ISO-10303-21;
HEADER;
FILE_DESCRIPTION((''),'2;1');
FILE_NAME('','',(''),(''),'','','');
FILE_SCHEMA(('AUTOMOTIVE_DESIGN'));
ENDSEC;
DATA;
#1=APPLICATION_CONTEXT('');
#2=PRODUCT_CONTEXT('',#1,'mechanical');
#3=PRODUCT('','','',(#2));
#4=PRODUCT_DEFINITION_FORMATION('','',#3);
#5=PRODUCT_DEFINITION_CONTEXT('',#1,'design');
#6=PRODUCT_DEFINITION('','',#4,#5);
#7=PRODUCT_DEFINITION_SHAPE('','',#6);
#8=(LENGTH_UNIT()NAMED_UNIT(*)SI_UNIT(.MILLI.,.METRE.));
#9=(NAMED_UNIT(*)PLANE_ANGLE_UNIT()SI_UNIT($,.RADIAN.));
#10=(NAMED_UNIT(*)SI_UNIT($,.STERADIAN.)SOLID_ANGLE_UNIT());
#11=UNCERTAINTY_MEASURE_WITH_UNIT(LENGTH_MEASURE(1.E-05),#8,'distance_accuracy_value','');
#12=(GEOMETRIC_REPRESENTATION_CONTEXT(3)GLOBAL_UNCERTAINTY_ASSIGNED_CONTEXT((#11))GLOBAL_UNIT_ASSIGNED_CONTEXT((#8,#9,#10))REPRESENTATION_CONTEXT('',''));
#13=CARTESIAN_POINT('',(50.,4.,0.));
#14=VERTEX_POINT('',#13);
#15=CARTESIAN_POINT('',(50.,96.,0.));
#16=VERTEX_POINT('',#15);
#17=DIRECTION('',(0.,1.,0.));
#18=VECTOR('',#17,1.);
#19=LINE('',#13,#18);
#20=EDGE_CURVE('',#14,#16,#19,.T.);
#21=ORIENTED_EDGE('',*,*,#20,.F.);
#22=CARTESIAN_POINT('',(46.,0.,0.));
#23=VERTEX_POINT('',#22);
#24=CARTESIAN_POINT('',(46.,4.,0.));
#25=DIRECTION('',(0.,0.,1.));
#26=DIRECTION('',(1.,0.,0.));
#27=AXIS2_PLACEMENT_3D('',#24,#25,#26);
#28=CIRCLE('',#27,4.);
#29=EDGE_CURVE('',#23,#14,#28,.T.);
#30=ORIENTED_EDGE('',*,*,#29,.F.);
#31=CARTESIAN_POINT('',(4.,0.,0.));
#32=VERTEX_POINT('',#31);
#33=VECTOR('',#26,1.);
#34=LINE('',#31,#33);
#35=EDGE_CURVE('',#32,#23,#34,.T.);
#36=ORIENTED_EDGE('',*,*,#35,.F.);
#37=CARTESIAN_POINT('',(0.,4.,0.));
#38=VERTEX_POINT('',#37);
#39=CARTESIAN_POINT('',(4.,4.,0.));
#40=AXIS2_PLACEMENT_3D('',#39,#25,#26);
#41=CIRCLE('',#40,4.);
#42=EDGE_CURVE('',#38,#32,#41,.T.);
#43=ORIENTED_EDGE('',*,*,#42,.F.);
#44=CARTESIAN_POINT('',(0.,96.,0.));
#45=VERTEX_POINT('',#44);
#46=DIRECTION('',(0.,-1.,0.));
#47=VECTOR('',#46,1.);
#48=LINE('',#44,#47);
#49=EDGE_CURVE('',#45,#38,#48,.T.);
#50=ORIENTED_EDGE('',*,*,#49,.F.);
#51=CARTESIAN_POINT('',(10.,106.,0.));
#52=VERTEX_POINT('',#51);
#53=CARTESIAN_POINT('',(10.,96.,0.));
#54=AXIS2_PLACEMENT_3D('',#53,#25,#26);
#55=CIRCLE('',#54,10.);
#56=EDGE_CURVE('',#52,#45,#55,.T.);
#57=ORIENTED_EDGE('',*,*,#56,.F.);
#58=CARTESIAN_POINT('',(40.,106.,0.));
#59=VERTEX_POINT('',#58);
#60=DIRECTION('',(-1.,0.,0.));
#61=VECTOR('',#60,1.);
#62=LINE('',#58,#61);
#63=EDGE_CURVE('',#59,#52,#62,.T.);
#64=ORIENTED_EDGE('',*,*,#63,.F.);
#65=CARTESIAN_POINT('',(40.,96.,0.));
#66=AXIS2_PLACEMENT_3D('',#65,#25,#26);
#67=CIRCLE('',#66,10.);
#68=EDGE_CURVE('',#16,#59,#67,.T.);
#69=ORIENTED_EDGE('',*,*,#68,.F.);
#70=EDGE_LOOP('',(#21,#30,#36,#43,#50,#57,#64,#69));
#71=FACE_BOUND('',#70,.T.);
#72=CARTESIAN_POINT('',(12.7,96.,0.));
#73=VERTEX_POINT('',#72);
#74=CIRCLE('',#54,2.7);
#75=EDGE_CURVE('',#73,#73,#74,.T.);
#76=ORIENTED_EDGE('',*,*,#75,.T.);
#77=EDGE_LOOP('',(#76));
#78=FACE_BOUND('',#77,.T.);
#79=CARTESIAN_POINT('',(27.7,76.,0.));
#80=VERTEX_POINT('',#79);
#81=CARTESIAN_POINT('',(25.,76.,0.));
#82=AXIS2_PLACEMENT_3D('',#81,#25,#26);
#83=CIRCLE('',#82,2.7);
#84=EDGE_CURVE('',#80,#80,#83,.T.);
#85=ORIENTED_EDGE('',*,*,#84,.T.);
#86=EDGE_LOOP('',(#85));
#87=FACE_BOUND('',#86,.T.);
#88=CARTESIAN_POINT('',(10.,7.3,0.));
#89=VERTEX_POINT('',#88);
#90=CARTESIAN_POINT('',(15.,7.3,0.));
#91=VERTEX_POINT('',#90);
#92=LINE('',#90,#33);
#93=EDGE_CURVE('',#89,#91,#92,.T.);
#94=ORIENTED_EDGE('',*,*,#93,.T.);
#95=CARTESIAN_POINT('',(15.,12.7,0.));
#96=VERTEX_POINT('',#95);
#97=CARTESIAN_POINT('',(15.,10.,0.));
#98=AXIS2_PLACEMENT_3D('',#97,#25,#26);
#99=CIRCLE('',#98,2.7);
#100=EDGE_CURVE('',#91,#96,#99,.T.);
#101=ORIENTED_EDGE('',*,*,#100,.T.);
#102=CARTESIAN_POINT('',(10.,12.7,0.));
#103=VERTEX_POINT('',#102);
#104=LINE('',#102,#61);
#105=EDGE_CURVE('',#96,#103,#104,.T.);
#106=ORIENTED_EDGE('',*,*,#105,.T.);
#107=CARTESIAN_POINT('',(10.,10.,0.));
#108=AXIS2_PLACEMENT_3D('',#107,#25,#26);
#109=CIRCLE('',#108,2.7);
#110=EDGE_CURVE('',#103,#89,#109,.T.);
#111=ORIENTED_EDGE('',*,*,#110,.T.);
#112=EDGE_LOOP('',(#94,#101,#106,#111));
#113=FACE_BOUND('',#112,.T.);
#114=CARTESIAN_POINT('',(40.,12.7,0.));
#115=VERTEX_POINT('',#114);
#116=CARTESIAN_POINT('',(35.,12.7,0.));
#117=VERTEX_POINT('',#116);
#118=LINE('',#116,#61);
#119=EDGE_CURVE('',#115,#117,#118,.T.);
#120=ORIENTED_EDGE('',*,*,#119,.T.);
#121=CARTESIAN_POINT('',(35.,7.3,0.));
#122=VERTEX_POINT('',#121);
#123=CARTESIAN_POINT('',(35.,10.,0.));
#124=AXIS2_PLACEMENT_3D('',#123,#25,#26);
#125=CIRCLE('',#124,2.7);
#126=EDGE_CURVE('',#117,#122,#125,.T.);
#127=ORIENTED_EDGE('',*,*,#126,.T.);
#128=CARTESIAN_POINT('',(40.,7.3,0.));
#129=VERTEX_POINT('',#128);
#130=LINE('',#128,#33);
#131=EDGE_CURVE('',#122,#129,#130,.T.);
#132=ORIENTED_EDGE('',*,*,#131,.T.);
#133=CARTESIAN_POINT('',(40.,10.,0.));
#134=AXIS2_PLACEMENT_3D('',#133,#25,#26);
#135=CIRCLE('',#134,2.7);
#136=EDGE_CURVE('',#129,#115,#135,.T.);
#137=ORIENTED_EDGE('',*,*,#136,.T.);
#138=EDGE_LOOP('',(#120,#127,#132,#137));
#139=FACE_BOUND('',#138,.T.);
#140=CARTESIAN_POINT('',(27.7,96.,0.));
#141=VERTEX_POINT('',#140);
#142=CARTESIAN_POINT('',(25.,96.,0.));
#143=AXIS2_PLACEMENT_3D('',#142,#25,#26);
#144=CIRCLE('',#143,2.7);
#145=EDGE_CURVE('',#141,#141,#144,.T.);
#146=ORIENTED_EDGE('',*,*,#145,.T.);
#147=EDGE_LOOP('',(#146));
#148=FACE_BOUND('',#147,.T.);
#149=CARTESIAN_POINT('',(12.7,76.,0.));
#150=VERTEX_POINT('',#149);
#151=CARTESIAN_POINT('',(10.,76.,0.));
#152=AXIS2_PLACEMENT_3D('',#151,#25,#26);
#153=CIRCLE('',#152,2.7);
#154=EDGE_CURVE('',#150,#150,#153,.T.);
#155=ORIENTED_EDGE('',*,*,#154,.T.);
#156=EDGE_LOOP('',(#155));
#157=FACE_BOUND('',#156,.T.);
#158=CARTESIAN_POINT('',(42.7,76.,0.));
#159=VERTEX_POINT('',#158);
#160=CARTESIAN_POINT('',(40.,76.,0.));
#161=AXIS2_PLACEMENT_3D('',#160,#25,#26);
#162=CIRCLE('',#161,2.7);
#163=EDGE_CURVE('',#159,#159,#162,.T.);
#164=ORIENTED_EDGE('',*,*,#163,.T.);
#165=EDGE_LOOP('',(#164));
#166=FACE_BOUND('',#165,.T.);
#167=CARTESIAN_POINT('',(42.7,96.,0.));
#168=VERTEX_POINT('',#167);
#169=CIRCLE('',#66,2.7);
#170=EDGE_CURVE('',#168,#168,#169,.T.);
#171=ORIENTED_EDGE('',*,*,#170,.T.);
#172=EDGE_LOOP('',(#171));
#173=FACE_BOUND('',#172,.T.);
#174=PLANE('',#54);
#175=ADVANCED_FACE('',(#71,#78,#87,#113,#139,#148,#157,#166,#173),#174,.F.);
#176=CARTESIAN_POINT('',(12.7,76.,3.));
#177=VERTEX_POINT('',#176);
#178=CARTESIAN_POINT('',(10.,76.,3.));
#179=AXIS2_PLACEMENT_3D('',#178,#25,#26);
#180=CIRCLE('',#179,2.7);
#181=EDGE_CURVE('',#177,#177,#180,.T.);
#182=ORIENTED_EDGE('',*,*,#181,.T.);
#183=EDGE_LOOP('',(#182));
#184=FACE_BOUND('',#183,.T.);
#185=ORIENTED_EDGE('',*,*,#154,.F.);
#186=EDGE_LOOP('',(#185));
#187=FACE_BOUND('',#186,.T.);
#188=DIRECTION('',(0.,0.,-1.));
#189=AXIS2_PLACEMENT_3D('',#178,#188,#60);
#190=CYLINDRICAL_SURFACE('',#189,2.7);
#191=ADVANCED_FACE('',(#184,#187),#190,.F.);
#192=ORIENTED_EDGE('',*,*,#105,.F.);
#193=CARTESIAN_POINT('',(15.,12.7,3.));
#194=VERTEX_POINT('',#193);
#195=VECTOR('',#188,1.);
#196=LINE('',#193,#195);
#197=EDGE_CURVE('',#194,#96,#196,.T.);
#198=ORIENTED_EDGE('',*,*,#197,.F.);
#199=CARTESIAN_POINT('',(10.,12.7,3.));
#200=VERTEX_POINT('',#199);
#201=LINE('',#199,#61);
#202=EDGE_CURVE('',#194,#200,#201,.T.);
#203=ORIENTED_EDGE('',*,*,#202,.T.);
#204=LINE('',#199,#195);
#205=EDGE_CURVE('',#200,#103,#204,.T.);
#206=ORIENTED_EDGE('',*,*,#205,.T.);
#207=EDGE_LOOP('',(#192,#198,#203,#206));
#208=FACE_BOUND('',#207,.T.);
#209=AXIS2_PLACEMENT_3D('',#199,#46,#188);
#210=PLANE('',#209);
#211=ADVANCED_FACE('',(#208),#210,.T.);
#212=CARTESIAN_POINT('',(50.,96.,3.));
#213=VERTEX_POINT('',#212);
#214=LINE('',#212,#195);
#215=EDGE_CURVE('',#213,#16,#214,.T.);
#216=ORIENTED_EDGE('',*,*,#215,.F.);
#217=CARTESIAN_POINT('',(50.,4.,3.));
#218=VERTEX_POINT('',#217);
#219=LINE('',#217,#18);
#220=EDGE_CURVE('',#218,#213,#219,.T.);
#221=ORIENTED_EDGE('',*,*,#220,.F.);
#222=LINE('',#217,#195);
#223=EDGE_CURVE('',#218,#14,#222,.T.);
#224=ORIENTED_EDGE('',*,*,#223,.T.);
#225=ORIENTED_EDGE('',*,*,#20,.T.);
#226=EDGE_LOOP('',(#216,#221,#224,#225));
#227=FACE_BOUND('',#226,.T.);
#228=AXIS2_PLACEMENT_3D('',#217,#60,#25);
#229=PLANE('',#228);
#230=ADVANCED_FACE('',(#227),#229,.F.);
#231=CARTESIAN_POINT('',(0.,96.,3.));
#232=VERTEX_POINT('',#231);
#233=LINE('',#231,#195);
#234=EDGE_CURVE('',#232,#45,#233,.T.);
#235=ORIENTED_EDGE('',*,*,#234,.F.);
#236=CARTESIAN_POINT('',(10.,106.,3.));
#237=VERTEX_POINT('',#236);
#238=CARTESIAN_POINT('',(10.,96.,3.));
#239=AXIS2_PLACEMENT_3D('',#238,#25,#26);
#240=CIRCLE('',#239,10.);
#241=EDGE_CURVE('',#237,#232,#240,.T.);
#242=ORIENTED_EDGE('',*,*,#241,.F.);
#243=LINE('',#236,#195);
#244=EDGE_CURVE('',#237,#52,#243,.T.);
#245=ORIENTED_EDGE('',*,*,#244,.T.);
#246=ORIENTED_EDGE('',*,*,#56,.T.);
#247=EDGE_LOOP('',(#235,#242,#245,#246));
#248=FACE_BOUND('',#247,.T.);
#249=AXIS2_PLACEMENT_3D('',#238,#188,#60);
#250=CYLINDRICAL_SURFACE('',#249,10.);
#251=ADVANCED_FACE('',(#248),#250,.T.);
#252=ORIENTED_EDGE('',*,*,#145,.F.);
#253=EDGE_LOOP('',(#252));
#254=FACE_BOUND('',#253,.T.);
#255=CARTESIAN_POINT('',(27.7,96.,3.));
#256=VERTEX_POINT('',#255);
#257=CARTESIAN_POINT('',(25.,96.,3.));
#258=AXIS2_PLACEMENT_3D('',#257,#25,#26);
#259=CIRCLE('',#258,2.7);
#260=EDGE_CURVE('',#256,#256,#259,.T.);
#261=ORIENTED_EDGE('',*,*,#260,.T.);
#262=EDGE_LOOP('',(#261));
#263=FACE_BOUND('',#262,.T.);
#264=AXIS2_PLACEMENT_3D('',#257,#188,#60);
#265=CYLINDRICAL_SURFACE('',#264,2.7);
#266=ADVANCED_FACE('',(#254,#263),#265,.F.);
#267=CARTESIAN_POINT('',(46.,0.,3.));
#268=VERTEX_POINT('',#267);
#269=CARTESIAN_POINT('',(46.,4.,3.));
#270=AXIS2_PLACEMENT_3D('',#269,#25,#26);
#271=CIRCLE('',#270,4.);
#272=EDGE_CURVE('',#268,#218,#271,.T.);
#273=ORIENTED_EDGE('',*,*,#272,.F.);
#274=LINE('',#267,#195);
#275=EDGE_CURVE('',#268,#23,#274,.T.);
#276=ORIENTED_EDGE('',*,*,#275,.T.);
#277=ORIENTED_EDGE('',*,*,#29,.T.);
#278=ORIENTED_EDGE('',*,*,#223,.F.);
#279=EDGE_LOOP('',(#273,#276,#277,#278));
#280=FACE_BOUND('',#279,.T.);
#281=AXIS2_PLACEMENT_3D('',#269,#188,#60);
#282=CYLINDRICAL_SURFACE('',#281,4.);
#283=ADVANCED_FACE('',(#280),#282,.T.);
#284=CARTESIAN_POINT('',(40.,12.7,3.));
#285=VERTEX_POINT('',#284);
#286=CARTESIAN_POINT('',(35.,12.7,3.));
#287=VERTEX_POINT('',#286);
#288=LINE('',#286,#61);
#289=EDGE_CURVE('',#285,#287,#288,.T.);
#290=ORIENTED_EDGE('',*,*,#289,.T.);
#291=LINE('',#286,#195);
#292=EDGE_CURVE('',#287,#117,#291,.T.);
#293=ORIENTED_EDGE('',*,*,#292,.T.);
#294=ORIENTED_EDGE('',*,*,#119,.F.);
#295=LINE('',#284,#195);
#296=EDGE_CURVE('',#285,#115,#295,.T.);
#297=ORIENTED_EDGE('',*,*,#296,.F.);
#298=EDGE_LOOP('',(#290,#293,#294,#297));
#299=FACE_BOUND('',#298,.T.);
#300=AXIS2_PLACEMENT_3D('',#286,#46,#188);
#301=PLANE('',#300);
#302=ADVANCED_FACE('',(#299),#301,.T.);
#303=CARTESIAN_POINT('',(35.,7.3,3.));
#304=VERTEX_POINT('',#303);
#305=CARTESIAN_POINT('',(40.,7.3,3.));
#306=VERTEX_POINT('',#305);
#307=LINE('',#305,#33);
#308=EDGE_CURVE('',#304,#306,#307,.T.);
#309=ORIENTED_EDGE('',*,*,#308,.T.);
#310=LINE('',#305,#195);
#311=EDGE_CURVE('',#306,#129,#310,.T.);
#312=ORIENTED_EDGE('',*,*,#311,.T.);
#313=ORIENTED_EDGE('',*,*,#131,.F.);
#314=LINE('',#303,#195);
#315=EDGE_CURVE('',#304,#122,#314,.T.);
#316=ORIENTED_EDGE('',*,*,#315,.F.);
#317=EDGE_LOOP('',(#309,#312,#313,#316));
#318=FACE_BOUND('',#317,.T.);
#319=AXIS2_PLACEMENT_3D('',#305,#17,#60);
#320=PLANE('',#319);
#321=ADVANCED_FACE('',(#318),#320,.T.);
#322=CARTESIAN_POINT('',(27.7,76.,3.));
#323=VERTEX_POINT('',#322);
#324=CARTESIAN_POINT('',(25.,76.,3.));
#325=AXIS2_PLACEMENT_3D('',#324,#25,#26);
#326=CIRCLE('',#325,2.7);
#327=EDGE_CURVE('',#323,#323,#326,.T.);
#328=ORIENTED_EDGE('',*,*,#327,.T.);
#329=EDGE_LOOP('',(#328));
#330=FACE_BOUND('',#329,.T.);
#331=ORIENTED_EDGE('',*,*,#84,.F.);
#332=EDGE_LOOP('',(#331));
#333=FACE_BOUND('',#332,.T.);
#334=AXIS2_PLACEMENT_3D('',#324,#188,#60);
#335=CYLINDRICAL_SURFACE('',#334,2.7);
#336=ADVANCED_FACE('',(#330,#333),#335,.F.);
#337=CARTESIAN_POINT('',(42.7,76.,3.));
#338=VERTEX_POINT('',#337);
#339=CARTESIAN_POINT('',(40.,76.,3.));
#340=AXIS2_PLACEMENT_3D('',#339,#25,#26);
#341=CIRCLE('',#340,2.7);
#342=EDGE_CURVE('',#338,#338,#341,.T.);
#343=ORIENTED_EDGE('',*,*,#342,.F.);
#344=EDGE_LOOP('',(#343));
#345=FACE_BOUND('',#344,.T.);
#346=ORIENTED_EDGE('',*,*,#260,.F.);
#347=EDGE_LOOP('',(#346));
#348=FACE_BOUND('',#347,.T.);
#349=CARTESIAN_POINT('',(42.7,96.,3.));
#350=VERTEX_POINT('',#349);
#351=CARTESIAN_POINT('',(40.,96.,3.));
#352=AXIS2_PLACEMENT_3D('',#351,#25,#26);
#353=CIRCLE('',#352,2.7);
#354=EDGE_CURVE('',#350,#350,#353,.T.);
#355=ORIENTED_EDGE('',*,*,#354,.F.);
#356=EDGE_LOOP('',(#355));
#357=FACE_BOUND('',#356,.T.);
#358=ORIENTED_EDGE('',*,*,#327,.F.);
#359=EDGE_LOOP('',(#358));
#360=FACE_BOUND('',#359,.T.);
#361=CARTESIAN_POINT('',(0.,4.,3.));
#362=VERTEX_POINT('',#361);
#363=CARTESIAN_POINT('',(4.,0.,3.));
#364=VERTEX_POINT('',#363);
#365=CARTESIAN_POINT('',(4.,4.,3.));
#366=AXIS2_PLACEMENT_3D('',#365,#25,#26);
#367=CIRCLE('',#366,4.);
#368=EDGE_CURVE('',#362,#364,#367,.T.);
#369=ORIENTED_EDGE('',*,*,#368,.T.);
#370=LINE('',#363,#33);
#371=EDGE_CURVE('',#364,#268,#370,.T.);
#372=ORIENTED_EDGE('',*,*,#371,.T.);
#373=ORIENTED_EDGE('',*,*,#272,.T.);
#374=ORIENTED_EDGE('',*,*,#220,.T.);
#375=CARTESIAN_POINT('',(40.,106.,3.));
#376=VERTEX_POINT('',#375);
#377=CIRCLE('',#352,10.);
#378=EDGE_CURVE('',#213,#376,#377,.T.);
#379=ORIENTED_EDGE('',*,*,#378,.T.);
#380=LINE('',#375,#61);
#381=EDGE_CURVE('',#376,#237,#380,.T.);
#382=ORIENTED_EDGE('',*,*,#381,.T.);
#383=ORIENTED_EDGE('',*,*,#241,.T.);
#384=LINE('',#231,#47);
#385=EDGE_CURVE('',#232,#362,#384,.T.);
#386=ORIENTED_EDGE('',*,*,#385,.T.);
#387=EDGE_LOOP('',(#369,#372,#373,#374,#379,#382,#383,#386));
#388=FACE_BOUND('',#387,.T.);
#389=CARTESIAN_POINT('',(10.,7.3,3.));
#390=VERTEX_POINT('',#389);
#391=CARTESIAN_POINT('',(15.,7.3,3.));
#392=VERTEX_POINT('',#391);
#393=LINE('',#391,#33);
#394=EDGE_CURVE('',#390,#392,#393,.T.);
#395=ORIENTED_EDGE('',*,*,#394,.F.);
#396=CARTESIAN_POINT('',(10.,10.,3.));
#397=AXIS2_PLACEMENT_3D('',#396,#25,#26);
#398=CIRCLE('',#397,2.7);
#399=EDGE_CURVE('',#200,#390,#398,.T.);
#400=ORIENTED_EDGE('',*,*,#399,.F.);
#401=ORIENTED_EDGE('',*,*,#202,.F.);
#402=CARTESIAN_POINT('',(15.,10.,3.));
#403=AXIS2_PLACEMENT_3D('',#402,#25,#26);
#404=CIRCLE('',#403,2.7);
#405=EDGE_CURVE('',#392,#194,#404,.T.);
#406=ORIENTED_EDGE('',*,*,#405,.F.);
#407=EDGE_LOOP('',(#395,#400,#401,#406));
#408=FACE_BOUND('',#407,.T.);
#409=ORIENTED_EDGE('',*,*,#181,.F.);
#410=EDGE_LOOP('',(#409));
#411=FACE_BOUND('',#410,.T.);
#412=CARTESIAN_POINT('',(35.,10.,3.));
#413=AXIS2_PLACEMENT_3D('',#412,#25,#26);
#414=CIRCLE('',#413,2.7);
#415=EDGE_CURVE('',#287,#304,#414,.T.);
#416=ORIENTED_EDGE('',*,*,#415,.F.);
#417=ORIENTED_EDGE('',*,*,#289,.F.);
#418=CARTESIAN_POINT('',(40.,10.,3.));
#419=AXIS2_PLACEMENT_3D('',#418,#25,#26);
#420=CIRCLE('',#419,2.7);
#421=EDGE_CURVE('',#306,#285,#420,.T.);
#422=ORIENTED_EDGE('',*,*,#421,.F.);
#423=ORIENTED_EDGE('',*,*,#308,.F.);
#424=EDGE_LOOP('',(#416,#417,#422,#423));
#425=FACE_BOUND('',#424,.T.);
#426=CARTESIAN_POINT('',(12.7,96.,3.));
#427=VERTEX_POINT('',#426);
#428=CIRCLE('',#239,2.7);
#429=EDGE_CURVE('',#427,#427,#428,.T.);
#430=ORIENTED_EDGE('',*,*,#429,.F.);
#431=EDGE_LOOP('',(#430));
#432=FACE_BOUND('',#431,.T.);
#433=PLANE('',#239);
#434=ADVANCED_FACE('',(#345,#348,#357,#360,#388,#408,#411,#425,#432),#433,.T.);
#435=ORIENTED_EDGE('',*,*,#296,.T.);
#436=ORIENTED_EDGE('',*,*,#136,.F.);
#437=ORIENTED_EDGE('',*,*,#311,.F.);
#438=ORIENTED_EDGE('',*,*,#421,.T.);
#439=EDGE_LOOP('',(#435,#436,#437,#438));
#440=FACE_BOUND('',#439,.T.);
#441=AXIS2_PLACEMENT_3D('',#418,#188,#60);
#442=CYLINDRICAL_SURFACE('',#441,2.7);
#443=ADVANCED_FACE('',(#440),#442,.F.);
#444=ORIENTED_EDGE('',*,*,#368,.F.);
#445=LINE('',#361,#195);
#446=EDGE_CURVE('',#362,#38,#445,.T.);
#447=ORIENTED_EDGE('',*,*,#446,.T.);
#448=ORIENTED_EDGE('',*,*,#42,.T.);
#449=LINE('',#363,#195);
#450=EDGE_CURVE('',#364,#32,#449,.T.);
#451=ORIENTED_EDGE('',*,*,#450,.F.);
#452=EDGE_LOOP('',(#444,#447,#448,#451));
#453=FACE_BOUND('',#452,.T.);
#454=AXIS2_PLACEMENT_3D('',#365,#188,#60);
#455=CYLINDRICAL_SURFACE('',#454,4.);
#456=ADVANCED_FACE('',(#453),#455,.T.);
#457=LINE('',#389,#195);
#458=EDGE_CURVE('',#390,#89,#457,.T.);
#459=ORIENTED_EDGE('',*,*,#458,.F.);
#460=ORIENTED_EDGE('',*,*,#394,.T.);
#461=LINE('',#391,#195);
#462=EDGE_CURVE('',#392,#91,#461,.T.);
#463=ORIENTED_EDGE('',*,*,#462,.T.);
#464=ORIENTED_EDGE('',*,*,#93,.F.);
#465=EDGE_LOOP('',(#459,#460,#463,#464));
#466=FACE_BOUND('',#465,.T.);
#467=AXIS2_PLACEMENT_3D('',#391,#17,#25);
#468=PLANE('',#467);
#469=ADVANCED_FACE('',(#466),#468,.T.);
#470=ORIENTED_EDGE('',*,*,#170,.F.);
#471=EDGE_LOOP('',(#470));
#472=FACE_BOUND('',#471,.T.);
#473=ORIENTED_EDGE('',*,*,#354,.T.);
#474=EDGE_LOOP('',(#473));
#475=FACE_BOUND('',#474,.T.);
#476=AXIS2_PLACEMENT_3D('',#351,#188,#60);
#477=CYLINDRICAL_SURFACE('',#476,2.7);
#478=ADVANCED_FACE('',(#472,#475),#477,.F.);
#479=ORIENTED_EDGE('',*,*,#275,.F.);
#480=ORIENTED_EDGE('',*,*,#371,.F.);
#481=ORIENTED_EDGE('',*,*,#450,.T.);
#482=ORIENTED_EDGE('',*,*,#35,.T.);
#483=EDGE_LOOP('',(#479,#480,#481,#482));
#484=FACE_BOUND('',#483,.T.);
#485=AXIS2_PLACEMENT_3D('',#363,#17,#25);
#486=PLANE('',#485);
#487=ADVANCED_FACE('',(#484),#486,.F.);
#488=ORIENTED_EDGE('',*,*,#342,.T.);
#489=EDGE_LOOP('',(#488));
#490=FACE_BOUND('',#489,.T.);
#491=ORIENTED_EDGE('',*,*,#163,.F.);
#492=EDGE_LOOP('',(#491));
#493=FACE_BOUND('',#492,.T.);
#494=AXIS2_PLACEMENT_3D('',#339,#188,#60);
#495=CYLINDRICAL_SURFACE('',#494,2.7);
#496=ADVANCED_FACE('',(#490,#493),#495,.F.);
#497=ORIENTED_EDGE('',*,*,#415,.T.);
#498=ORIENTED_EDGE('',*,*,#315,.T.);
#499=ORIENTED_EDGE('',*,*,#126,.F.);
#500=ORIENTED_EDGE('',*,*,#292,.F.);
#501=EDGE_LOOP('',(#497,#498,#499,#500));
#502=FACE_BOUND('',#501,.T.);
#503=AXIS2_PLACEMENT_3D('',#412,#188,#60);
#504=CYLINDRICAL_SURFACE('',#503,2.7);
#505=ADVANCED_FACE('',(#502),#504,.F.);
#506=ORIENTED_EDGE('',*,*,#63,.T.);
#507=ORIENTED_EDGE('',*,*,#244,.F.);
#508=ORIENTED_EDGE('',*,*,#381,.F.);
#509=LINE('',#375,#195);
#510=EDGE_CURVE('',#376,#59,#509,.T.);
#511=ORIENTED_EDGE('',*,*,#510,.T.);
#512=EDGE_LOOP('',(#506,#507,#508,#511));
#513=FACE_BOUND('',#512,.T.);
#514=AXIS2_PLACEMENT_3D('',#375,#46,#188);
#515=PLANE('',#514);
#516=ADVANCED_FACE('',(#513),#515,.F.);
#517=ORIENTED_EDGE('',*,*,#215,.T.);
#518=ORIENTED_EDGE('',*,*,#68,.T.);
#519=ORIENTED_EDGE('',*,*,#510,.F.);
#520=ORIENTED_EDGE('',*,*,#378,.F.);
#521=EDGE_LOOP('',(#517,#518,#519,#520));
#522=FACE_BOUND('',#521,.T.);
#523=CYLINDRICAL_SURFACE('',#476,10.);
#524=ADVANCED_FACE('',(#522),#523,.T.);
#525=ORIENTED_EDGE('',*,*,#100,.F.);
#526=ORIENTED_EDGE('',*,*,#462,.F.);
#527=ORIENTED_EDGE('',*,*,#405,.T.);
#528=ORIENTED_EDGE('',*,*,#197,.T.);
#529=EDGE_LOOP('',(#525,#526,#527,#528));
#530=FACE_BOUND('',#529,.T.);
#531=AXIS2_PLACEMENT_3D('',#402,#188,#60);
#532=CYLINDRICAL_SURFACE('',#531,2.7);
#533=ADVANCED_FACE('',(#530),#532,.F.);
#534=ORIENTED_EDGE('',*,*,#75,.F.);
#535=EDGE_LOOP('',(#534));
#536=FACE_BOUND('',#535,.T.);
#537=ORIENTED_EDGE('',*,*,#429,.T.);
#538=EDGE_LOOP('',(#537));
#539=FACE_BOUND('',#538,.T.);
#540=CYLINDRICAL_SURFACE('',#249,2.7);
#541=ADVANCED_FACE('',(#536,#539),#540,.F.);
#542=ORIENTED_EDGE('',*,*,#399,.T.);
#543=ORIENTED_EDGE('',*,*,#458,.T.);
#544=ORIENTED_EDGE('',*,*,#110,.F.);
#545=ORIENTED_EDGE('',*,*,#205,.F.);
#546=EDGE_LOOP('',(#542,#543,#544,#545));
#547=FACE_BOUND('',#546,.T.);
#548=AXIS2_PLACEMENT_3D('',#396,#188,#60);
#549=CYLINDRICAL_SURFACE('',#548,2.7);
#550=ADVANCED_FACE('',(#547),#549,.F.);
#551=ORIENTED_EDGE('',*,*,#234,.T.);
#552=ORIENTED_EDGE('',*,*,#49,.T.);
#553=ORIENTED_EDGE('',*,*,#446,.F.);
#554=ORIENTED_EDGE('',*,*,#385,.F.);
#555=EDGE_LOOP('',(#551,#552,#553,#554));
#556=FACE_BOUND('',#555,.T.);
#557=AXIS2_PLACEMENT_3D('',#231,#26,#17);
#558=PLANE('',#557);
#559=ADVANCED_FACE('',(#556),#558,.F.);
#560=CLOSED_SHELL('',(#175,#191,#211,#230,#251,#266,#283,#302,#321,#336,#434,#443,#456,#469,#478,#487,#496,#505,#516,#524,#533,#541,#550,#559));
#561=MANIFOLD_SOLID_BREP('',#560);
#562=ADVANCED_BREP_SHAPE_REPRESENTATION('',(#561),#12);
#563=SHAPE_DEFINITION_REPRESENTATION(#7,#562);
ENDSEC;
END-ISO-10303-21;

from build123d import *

# Parameters (mm, degrees)
MODEL_R                         = 2.7
AUFSATZ_LINEAR_AUSTRAGEN1_DEPTH = 3


with BuildPart() as part:
    # Model → Aufsatz-Linear austragen1 (new body)
    with BuildSketch(Plane.XY):
        with BuildLine():
            Line((40, 106), (10, 106))
            ThreePointArc((10, 106), (2.928932188, 103.071067812), (0, 96))
            Line((0, 96), (0, 4))
            ThreePointArc((0, 4), (1.171572875, 1.171572875), (4, 0))
            Line((4, 0), (46, 0))
            ThreePointArc((46, 0), (48.828427125, 1.171572875), (50, 4))
            Line((50, 4), (50, 96))
            ThreePointArc((50, 96), (47.071067812, 103.071067812), (40, 106))
        make_face()
        with Locations((25, 76)):
            Circle(MODEL_R, mode=Mode.SUBTRACT)
        with Locations((25, 96)):
            Circle(MODEL_R, mode=Mode.SUBTRACT)
        with Locations((40, 76)):
            Circle(MODEL_R, mode=Mode.SUBTRACT)
        with Locations((40, 96)):
            Circle(MODEL_R, mode=Mode.SUBTRACT)
        with Locations((10, 76)):
            Circle(MODEL_R, mode=Mode.SUBTRACT)
        with Locations((10, 96)):
            Circle(MODEL_R, mode=Mode.SUBTRACT)
        with BuildLine():
            Line((15, 7.3), (10, 7.3))
            ThreePointArc((10, 7.3), (7.3, 10), (10, 12.7))
            Line((10, 12.7), (15, 12.7))
            ThreePointArc((15, 12.7), (17.7, 10), (15, 7.3))
        make_face(mode=Mode.SUBTRACT)
        with BuildLine():
            Line((40, 7.3), (35, 7.3))
            ThreePointArc((35, 7.3), (32.3, 10), (35, 12.7))
            Line((35, 12.7), (40, 12.7))
            ThreePointArc((40, 12.7), (42.7, 10), (40, 7.3))
        make_face(mode=Mode.SUBTRACT)
    extrude(amount=AUFSATZ_LINEAR_AUSTRAGEN1_DEPTH)


solid = part.part
